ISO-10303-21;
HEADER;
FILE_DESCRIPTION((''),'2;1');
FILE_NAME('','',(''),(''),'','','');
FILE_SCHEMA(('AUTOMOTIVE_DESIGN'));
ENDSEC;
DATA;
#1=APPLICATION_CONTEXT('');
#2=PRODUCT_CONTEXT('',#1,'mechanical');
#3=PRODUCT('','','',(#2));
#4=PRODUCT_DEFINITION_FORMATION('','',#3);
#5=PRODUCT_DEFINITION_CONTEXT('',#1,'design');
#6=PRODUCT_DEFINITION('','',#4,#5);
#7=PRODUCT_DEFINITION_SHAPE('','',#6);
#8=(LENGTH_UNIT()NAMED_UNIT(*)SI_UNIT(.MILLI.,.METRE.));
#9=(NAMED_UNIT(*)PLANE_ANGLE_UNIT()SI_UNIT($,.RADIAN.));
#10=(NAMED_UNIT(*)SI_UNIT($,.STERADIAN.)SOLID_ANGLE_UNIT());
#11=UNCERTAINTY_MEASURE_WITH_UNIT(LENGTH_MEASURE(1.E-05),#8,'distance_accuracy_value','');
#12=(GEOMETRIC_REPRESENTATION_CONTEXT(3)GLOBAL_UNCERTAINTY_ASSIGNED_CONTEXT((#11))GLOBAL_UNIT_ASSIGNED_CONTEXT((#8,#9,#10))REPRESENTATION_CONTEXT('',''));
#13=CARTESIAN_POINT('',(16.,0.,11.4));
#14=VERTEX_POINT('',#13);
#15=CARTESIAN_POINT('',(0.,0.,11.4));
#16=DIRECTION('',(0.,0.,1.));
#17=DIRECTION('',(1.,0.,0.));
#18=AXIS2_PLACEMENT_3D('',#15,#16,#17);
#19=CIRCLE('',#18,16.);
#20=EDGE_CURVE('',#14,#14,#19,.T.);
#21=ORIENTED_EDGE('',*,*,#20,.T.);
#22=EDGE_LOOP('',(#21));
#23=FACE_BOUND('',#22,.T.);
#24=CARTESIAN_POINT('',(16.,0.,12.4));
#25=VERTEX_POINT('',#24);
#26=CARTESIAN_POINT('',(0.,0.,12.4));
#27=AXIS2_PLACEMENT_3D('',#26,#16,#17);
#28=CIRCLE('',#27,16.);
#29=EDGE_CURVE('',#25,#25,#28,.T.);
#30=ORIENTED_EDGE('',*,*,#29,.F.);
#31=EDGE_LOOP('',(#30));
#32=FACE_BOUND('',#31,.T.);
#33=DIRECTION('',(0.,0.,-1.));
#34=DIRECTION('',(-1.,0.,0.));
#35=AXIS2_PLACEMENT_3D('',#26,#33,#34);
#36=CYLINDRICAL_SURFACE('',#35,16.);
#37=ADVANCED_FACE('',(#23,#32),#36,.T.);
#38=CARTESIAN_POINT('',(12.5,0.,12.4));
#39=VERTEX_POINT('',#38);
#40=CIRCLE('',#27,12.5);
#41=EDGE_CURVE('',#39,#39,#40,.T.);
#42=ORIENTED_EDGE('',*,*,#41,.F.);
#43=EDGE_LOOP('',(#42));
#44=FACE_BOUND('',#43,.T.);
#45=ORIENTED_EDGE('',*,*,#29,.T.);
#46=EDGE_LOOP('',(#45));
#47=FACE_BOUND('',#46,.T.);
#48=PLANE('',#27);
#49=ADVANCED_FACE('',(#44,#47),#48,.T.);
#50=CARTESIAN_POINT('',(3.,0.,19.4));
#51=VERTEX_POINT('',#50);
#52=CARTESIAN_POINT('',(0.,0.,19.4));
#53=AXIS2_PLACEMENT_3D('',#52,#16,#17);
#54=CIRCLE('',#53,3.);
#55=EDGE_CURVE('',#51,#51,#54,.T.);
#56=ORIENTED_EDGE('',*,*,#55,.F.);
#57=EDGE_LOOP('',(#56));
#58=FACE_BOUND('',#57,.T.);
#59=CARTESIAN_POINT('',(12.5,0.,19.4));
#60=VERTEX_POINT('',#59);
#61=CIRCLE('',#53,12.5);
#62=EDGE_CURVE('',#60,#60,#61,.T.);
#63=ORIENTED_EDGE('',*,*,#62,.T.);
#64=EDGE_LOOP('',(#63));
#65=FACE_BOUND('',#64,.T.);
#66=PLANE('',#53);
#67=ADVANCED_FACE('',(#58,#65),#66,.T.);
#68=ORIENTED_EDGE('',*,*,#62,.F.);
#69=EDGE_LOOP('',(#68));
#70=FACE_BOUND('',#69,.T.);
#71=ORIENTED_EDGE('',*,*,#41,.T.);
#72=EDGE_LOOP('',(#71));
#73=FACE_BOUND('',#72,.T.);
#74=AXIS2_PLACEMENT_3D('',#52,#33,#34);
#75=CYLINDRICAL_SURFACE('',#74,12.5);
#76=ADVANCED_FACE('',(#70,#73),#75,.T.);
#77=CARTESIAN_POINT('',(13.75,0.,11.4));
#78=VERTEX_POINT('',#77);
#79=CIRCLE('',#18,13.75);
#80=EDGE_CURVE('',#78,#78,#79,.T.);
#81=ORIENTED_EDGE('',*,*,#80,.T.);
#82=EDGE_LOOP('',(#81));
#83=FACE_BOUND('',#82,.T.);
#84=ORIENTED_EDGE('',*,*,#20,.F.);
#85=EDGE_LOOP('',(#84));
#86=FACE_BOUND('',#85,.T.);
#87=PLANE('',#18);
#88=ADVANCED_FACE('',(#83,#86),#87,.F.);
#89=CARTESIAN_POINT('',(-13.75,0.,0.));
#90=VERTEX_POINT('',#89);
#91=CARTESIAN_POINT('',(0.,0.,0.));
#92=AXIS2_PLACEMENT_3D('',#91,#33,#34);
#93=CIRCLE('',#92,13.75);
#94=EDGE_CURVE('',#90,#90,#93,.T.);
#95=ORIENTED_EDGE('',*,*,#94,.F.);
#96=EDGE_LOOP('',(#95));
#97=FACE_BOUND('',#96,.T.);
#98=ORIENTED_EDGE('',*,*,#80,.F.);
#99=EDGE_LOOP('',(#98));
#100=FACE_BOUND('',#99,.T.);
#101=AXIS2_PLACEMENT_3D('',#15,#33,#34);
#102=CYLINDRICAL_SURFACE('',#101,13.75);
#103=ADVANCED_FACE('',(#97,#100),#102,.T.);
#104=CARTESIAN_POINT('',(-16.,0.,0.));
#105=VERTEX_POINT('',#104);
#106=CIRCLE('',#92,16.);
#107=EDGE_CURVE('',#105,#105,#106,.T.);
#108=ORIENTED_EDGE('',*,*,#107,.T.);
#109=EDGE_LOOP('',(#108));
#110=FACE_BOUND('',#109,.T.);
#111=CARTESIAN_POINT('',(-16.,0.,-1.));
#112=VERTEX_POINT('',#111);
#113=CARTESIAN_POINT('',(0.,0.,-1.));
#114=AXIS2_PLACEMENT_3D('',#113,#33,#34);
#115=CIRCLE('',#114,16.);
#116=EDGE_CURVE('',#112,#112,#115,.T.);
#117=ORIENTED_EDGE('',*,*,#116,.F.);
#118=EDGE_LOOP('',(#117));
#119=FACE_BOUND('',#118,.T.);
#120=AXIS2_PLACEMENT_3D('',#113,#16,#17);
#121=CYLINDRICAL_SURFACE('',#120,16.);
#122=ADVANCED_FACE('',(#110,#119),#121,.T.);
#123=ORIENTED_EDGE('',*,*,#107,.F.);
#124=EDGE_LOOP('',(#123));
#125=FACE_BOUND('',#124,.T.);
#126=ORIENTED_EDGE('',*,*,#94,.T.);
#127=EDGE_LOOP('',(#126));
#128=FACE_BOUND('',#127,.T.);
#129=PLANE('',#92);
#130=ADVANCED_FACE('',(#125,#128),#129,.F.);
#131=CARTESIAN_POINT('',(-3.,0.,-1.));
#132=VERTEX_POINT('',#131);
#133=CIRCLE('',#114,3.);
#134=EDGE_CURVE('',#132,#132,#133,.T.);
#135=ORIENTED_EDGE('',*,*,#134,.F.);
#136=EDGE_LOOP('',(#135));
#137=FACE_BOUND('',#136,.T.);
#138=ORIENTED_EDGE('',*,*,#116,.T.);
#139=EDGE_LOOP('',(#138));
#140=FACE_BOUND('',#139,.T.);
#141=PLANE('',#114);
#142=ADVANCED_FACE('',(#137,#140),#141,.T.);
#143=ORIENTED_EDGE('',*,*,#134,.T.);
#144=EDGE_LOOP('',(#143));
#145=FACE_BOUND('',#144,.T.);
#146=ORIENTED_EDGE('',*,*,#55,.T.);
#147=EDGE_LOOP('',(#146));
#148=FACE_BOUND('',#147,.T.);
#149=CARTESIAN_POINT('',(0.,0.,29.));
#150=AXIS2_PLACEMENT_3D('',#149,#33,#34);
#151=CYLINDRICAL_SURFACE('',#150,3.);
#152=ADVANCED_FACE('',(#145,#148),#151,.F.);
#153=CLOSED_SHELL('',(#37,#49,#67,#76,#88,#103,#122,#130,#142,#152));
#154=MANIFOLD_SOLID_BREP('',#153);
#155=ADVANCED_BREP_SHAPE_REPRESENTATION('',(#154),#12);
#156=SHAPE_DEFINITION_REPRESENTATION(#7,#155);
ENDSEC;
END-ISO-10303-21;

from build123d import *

# Parameters (mm, degrees)
ESQUISSE1_R             = 13.75
BOSS_EXTRU_1_DEPTH      = 11.4
ESQUISSE2_R             = 16
BOSS_EXTRU_2_DEPTH      = 1
BOSS_EXTRU_3_START      = 1
ESQUISSE3_R             = 16
BOSS_EXTRU_3_DEPTH      = 1
ESQUISSE4_R             = 12.5
BOSS_EXTRU_4_DEPTH      = 7
ESQUISSE5_R             = 3
ENL_V_MAT_EXTRU_1_DEPTH = 30


with BuildPart() as part:
    # Esquisse1 → Boss.-Extru.1 (new body)
    with BuildSketch(Plane.XY):
        Circle(ESQUISSE1_R)
    extrude(amount=BOSS_EXTRU_1_DEPTH)

    # Esquisse2 → Boss.-Extru.2 (add)
    with BuildSketch(Plane.XY.offset(11.4)):
        Circle(ESQUISSE2_R)
    extrude(amount=BOSS_EXTRU_2_DEPTH)

    # Esquisse3 → Boss.-Extru.3 (add)
    with BuildSketch(Plane(origin=(0, 0, 0), x_dir=(-1, 0, 0), z_dir=(0, 0, -1)).offset(BOSS_EXTRU_3_START)):
        with Locations(Location((0, 0, 0), (0, 0, 180))):
            Circle(ESQUISSE3_R)
    extrude(amount=-BOSS_EXTRU_3_DEPTH)

    # Esquisse4 → Boss.-Extru.4 (add)
    with BuildSketch(Plane.XY.offset(12.4)):
        Circle(ESQUISSE4_R)
    extrude(amount=BOSS_EXTRU_4_DEPTH)

    # Esquisse5 → Enlèv. mat.-Extru.1 (cut)
    with BuildSketch(Plane(origin=(0, 0, -1), x_dir=(-1, 0, 0), z_dir=(0, 0, -1))):
        Circle(ESQUISSE5_R)
    extrude(amount=-ENL_V_MAT_EXTRU_1_DEPTH, mode=Mode.SUBTRACT)


solid = part.part
